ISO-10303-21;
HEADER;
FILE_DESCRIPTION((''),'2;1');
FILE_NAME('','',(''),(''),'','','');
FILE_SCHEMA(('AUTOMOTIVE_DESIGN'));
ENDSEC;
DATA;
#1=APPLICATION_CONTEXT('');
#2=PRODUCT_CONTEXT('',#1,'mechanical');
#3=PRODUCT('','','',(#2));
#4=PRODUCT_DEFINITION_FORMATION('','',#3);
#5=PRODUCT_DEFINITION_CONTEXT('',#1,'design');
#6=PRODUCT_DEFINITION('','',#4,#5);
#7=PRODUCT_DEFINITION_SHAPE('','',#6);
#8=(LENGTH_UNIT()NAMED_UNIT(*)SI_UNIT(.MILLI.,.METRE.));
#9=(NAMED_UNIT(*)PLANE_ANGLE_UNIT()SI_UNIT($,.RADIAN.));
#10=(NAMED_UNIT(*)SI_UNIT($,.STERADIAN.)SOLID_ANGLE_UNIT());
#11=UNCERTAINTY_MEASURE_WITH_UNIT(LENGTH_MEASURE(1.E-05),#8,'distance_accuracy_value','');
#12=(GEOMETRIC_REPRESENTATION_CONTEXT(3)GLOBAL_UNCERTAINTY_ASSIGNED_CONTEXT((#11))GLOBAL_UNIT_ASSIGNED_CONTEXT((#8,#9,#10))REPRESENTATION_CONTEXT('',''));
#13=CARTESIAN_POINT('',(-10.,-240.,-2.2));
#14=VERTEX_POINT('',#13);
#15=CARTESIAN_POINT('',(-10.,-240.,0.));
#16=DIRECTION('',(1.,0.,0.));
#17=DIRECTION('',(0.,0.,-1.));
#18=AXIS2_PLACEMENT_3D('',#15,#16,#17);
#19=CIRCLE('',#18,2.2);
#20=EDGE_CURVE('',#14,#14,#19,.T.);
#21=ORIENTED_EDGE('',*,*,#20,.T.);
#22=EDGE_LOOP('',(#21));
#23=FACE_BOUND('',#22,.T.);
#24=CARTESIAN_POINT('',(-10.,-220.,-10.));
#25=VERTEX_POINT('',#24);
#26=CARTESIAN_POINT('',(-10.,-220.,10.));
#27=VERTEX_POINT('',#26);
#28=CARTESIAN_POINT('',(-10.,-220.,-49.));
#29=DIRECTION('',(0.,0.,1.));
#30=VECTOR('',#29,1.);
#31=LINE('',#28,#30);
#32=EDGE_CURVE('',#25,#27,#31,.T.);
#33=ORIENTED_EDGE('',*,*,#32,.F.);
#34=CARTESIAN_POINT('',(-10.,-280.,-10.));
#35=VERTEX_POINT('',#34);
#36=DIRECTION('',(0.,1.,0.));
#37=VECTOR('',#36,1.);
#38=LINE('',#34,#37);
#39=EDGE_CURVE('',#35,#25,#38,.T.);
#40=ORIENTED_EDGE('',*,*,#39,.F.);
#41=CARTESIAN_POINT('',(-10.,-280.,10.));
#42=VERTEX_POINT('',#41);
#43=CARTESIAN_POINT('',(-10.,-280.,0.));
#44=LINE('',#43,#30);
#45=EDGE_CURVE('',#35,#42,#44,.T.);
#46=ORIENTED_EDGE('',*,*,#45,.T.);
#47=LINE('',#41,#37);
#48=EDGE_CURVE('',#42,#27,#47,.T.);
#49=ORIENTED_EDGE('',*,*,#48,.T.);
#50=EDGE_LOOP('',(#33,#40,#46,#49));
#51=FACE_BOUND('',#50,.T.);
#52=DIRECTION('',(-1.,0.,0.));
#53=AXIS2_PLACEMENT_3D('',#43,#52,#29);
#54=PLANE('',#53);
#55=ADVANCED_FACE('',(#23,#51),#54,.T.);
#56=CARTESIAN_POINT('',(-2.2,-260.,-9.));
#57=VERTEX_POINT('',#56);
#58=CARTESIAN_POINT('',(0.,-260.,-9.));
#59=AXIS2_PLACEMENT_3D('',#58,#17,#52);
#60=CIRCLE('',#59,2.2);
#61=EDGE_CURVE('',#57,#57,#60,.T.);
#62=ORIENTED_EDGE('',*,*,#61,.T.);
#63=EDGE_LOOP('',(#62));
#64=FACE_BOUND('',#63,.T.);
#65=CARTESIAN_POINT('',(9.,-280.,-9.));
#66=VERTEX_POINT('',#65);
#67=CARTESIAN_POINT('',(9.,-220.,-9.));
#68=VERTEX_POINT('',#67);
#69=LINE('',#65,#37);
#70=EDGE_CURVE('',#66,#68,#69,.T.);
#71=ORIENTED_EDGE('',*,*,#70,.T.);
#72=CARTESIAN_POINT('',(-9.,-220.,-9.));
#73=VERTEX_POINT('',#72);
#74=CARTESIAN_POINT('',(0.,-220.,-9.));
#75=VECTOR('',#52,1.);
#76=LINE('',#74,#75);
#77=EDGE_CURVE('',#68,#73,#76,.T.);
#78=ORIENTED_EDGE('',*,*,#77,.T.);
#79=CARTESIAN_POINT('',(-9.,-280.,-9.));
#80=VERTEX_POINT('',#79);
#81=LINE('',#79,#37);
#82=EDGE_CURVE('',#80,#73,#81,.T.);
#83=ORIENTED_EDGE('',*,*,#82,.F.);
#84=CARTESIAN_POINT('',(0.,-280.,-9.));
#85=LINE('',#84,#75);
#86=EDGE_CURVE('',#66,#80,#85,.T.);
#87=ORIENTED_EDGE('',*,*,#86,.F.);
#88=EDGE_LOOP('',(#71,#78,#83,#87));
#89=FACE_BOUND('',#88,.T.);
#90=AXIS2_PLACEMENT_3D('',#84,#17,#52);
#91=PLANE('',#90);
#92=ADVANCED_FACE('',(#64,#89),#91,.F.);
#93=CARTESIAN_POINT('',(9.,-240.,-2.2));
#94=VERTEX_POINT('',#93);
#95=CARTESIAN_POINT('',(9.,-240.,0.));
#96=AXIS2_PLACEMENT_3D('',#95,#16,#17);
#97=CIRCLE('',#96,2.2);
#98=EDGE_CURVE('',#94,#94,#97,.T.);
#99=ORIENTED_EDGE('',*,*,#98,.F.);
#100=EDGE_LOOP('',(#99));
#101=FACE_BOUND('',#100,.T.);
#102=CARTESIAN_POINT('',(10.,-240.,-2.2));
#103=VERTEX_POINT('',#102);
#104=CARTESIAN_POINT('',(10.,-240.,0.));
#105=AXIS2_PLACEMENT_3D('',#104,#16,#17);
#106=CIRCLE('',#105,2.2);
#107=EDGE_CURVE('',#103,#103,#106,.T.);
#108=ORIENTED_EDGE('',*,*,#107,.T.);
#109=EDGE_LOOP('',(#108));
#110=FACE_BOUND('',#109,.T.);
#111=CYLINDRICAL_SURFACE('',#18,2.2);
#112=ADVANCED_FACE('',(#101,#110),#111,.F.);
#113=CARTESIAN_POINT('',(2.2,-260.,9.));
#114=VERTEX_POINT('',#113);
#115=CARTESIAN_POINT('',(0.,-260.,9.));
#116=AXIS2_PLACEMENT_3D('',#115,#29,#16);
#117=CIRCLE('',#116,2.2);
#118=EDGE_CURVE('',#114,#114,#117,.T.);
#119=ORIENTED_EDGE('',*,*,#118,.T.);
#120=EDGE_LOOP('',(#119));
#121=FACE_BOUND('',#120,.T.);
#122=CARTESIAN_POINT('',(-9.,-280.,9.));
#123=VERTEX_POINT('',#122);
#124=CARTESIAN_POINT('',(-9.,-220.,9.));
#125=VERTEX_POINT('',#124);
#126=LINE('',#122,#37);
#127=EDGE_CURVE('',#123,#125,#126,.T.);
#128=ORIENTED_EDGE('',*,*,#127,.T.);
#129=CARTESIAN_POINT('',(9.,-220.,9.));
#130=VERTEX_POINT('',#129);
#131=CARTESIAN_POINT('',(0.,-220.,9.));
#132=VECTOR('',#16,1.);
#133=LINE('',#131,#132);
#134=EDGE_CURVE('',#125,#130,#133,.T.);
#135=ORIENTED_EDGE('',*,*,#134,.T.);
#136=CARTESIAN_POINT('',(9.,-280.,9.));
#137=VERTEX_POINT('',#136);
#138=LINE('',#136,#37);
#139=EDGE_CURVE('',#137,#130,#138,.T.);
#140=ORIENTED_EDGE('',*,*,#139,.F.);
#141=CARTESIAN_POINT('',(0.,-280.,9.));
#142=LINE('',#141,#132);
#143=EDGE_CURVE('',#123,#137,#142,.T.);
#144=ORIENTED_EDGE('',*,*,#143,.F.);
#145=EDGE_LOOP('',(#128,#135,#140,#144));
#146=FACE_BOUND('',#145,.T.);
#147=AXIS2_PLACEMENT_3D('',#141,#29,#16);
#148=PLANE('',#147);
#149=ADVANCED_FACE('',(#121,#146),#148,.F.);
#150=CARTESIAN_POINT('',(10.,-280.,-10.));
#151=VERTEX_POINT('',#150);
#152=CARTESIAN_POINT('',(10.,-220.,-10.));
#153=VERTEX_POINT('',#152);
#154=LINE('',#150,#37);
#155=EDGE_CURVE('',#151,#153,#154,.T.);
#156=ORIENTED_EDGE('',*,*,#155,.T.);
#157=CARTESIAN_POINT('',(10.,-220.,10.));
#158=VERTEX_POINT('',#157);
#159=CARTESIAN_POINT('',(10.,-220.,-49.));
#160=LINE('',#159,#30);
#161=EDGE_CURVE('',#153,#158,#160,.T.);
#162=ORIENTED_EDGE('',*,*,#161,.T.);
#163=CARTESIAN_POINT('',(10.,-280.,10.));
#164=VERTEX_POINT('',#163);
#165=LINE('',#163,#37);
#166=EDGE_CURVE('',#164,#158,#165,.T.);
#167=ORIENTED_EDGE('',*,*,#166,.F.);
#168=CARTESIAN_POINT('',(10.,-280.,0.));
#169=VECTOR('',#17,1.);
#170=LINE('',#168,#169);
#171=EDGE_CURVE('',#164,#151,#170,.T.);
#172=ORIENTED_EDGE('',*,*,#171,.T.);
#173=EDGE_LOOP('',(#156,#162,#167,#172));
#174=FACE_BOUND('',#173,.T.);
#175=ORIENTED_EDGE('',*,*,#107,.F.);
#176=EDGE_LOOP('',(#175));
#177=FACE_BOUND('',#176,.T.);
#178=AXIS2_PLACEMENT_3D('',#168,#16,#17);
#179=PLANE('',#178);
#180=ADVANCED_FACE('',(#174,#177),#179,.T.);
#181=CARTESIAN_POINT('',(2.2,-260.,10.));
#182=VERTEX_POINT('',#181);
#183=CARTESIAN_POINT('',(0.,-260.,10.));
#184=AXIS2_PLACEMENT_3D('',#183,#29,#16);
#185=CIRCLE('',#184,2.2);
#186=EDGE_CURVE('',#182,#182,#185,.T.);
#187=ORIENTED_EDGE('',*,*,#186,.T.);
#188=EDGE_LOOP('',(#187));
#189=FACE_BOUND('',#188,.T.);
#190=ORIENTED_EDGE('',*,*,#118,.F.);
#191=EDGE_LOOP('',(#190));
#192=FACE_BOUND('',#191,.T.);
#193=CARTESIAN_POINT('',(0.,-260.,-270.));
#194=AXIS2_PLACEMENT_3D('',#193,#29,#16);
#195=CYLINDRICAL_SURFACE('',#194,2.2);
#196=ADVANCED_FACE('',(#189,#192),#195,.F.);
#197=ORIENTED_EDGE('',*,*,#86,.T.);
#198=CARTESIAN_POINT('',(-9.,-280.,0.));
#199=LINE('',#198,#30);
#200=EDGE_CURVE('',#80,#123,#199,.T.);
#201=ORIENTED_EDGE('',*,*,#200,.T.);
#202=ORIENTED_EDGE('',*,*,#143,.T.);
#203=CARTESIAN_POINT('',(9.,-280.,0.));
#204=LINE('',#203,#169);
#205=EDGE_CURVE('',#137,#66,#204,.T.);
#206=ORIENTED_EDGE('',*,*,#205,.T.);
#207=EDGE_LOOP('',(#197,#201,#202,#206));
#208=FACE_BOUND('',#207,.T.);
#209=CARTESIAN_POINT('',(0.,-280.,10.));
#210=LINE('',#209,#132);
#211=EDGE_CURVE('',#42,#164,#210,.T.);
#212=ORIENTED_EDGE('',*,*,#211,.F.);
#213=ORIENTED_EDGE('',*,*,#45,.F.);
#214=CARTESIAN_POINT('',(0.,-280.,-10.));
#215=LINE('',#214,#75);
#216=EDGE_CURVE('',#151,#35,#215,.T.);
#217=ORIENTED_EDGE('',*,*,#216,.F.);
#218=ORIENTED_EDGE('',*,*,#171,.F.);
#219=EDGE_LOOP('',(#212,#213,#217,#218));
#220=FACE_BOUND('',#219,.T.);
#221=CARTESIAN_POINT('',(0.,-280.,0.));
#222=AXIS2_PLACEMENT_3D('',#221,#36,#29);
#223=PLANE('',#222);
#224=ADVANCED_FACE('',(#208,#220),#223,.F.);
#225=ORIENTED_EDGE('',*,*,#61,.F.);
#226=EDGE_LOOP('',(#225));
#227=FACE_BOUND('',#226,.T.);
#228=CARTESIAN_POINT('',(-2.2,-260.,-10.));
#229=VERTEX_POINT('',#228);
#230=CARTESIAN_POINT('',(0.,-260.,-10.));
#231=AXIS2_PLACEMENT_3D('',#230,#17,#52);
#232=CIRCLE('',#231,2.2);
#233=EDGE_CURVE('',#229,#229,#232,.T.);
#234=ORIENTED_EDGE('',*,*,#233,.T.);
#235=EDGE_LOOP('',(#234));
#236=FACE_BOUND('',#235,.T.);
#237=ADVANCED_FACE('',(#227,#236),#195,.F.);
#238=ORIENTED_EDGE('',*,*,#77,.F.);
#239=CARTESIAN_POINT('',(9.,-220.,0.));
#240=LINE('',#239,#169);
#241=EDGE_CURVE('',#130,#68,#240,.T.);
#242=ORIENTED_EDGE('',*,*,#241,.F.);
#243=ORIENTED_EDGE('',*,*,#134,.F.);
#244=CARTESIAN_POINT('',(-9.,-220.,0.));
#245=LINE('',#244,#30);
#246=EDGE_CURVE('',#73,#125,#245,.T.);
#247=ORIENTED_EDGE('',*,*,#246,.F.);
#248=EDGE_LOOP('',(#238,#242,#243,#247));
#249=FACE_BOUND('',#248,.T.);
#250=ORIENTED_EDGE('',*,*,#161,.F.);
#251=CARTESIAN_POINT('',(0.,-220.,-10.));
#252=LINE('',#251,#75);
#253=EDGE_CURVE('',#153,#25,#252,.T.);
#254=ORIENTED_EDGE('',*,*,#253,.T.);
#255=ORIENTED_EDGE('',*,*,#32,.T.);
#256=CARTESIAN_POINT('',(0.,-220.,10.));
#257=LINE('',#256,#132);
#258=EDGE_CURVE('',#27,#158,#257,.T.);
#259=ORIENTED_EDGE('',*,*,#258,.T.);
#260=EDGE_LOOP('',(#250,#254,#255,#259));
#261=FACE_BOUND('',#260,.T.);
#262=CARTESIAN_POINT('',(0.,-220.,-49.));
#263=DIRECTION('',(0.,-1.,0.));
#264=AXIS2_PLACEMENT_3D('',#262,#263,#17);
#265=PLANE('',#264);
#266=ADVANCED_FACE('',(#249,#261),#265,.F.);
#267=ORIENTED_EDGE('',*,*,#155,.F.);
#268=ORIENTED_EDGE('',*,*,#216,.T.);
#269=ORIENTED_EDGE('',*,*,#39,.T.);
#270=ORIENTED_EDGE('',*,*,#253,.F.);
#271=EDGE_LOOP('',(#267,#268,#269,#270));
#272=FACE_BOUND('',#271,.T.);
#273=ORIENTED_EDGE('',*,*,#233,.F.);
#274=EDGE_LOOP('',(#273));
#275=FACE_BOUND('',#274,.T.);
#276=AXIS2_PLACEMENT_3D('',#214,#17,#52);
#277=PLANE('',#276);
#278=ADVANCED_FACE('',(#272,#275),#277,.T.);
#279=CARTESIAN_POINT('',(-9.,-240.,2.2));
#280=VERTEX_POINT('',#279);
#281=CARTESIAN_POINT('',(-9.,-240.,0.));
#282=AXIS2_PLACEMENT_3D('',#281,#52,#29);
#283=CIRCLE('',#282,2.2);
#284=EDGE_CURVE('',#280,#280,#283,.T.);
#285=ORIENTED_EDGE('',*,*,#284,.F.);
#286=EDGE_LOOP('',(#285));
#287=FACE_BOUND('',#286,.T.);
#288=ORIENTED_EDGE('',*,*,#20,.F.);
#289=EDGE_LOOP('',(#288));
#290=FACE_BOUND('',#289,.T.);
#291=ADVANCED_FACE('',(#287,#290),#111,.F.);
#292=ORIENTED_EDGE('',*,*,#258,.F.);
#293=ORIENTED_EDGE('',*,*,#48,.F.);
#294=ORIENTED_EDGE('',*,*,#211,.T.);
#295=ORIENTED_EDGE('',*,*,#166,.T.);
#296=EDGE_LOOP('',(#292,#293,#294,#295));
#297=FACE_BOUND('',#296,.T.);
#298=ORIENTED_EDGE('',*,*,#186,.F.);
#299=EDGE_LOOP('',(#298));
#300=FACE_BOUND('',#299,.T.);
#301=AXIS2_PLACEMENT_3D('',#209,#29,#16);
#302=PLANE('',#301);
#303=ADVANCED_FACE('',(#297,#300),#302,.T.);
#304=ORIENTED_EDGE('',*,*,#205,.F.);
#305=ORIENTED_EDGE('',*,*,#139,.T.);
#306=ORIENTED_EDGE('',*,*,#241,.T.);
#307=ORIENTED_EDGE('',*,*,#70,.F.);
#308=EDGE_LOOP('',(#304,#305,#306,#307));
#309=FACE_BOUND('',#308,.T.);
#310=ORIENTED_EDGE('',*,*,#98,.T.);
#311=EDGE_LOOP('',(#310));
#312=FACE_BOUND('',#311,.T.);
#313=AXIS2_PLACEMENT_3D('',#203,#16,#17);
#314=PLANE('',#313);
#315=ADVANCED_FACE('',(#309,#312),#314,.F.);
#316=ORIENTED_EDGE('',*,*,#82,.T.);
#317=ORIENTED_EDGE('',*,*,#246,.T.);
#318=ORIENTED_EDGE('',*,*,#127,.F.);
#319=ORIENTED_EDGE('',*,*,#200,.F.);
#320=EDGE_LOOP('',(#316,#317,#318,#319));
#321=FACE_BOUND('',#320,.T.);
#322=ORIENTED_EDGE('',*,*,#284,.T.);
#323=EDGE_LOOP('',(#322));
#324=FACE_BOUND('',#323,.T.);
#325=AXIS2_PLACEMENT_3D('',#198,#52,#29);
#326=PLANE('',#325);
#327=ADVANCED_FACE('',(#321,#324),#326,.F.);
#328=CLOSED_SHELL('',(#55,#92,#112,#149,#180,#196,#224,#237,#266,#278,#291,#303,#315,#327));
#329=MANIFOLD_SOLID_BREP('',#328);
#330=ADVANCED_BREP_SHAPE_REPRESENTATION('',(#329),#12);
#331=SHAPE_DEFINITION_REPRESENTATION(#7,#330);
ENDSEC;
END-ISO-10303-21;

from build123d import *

# Parameters (mm, degrees)
EXTRUDE_1_DEPTH     = 280
SKETCH_2_R          = 2.2
CUT_EXTRUDE_1_DEPTH = 280
SKETCH_3_R          = 2.2
CUT_EXTRUDE_2_DEPTH = 20
CUT_EXTRUDE_3_DEPTH = 59
EXTRUDE_3_DEPTH     = 20
SKETCH_6_W          = 4.4
SKETCH_6_H          = 18
CUT_EXTRUDE_4_DEPTH = 20


with BuildPart() as part:
    # 草图1 → 凸台-拉伸1 (new body)
    with BuildSketch(Plane(origin=(0, 0, 0), x_dir=(1, 0, 0), z_dir=(0, 1, 0))):
        Polygon((10, 0), (10, 10), (0, 10), (-10, 10), (-10, 0), (-10, -10), (0, -10), (10, -10), align=None)
        Polygon((9, 0), (9, 9), (0, 9), (-9, 9), (-9, 0), (-9, -9), (0, -9), (9, -9), align=None, mode=Mode.SUBTRACT)
    extrude(amount=-EXTRUDE_1_DEPTH)

    # 草图2 → 切除-拉伸1 (cut)
    with BuildSketch(Plane.XY.offset(10)):
        with Locations(Location((0, -40, 0), (0, 0, 180))):
            Circle(SKETCH_2_R)
        with Locations(Location((0, -80, 0), (0, 0, 180))):
            Circle(SKETCH_2_R)
        with Locations(Location((0, -120, 0), (0, 0, 180))):
            Circle(SKETCH_2_R)
        with Locations(Location((0, -180, 0), (0, 0, 180))):
            Circle(SKETCH_2_R)
        with Locations(Location((0, -220, 0), (0, 0, 180))):
            Circle(SKETCH_2_R)
        with Locations(Location((0, -260, 0), (0, 0, 180))):
            Circle(SKETCH_2_R)
    extrude(amount=-CUT_EXTRUDE_1_DEPTH, mode=Mode.SUBTRACT)

    # 草图3 → 切除-拉伸2 (cut)
    with BuildSketch(Plane(origin=(10, 0, 0), x_dir=(0, 0, -1), z_dir=(1, 0, 0))):
        with Locations((0, -60)):
            Circle(SKETCH_3_R)
        with Locations((0, -100)):
            Circle(SKETCH_3_R)
        with Locations((0, -150)):
            Circle(SKETCH_3_R)
        with Locations((0, -200)):
            Circle(SKETCH_3_R)
        with Locations((0, -240)):
            Circle(SKETCH_3_R)
    extrude(amount=-CUT_EXTRUDE_2_DEPTH, mode=Mode.SUBTRACT)

    # 草图4 → 切除-拉伸3 (cut)
    with BuildSketch(Plane.XY.offset(10)):
        Polygon((0, -220), (10, -220), (10, 0), (-10, 0), (-10, -220), align=None)
    extrude(amount=-CUT_EXTRUDE_3_DEPTH, mode=Mode.SUBTRACT)

    # 草图5 → 凸台-拉伸3 (add)
    with BuildSketch(Plane.XY.offset(10)):
        with BuildLine():
            Line((-2.2, -220), (2.2, -220))
            ThreePointArc((2.2, -220), (0, -222.2), (-2.2, -220))
        make_face()
    extrude(amount=-EXTRUDE_3_DEPTH)

    # 草图6 → 切除-拉伸4 (cut)
    with BuildSketch(Plane(origin=(0, -220, 0), x_dir=(1, 0, 0), z_dir=(0, 1, 0))):
        Rectangle(SKETCH_6_W, SKETCH_6_H)
    extrude(amount=-CUT_EXTRUDE_4_DEPTH, mode=Mode.SUBTRACT)


solid = part.part
